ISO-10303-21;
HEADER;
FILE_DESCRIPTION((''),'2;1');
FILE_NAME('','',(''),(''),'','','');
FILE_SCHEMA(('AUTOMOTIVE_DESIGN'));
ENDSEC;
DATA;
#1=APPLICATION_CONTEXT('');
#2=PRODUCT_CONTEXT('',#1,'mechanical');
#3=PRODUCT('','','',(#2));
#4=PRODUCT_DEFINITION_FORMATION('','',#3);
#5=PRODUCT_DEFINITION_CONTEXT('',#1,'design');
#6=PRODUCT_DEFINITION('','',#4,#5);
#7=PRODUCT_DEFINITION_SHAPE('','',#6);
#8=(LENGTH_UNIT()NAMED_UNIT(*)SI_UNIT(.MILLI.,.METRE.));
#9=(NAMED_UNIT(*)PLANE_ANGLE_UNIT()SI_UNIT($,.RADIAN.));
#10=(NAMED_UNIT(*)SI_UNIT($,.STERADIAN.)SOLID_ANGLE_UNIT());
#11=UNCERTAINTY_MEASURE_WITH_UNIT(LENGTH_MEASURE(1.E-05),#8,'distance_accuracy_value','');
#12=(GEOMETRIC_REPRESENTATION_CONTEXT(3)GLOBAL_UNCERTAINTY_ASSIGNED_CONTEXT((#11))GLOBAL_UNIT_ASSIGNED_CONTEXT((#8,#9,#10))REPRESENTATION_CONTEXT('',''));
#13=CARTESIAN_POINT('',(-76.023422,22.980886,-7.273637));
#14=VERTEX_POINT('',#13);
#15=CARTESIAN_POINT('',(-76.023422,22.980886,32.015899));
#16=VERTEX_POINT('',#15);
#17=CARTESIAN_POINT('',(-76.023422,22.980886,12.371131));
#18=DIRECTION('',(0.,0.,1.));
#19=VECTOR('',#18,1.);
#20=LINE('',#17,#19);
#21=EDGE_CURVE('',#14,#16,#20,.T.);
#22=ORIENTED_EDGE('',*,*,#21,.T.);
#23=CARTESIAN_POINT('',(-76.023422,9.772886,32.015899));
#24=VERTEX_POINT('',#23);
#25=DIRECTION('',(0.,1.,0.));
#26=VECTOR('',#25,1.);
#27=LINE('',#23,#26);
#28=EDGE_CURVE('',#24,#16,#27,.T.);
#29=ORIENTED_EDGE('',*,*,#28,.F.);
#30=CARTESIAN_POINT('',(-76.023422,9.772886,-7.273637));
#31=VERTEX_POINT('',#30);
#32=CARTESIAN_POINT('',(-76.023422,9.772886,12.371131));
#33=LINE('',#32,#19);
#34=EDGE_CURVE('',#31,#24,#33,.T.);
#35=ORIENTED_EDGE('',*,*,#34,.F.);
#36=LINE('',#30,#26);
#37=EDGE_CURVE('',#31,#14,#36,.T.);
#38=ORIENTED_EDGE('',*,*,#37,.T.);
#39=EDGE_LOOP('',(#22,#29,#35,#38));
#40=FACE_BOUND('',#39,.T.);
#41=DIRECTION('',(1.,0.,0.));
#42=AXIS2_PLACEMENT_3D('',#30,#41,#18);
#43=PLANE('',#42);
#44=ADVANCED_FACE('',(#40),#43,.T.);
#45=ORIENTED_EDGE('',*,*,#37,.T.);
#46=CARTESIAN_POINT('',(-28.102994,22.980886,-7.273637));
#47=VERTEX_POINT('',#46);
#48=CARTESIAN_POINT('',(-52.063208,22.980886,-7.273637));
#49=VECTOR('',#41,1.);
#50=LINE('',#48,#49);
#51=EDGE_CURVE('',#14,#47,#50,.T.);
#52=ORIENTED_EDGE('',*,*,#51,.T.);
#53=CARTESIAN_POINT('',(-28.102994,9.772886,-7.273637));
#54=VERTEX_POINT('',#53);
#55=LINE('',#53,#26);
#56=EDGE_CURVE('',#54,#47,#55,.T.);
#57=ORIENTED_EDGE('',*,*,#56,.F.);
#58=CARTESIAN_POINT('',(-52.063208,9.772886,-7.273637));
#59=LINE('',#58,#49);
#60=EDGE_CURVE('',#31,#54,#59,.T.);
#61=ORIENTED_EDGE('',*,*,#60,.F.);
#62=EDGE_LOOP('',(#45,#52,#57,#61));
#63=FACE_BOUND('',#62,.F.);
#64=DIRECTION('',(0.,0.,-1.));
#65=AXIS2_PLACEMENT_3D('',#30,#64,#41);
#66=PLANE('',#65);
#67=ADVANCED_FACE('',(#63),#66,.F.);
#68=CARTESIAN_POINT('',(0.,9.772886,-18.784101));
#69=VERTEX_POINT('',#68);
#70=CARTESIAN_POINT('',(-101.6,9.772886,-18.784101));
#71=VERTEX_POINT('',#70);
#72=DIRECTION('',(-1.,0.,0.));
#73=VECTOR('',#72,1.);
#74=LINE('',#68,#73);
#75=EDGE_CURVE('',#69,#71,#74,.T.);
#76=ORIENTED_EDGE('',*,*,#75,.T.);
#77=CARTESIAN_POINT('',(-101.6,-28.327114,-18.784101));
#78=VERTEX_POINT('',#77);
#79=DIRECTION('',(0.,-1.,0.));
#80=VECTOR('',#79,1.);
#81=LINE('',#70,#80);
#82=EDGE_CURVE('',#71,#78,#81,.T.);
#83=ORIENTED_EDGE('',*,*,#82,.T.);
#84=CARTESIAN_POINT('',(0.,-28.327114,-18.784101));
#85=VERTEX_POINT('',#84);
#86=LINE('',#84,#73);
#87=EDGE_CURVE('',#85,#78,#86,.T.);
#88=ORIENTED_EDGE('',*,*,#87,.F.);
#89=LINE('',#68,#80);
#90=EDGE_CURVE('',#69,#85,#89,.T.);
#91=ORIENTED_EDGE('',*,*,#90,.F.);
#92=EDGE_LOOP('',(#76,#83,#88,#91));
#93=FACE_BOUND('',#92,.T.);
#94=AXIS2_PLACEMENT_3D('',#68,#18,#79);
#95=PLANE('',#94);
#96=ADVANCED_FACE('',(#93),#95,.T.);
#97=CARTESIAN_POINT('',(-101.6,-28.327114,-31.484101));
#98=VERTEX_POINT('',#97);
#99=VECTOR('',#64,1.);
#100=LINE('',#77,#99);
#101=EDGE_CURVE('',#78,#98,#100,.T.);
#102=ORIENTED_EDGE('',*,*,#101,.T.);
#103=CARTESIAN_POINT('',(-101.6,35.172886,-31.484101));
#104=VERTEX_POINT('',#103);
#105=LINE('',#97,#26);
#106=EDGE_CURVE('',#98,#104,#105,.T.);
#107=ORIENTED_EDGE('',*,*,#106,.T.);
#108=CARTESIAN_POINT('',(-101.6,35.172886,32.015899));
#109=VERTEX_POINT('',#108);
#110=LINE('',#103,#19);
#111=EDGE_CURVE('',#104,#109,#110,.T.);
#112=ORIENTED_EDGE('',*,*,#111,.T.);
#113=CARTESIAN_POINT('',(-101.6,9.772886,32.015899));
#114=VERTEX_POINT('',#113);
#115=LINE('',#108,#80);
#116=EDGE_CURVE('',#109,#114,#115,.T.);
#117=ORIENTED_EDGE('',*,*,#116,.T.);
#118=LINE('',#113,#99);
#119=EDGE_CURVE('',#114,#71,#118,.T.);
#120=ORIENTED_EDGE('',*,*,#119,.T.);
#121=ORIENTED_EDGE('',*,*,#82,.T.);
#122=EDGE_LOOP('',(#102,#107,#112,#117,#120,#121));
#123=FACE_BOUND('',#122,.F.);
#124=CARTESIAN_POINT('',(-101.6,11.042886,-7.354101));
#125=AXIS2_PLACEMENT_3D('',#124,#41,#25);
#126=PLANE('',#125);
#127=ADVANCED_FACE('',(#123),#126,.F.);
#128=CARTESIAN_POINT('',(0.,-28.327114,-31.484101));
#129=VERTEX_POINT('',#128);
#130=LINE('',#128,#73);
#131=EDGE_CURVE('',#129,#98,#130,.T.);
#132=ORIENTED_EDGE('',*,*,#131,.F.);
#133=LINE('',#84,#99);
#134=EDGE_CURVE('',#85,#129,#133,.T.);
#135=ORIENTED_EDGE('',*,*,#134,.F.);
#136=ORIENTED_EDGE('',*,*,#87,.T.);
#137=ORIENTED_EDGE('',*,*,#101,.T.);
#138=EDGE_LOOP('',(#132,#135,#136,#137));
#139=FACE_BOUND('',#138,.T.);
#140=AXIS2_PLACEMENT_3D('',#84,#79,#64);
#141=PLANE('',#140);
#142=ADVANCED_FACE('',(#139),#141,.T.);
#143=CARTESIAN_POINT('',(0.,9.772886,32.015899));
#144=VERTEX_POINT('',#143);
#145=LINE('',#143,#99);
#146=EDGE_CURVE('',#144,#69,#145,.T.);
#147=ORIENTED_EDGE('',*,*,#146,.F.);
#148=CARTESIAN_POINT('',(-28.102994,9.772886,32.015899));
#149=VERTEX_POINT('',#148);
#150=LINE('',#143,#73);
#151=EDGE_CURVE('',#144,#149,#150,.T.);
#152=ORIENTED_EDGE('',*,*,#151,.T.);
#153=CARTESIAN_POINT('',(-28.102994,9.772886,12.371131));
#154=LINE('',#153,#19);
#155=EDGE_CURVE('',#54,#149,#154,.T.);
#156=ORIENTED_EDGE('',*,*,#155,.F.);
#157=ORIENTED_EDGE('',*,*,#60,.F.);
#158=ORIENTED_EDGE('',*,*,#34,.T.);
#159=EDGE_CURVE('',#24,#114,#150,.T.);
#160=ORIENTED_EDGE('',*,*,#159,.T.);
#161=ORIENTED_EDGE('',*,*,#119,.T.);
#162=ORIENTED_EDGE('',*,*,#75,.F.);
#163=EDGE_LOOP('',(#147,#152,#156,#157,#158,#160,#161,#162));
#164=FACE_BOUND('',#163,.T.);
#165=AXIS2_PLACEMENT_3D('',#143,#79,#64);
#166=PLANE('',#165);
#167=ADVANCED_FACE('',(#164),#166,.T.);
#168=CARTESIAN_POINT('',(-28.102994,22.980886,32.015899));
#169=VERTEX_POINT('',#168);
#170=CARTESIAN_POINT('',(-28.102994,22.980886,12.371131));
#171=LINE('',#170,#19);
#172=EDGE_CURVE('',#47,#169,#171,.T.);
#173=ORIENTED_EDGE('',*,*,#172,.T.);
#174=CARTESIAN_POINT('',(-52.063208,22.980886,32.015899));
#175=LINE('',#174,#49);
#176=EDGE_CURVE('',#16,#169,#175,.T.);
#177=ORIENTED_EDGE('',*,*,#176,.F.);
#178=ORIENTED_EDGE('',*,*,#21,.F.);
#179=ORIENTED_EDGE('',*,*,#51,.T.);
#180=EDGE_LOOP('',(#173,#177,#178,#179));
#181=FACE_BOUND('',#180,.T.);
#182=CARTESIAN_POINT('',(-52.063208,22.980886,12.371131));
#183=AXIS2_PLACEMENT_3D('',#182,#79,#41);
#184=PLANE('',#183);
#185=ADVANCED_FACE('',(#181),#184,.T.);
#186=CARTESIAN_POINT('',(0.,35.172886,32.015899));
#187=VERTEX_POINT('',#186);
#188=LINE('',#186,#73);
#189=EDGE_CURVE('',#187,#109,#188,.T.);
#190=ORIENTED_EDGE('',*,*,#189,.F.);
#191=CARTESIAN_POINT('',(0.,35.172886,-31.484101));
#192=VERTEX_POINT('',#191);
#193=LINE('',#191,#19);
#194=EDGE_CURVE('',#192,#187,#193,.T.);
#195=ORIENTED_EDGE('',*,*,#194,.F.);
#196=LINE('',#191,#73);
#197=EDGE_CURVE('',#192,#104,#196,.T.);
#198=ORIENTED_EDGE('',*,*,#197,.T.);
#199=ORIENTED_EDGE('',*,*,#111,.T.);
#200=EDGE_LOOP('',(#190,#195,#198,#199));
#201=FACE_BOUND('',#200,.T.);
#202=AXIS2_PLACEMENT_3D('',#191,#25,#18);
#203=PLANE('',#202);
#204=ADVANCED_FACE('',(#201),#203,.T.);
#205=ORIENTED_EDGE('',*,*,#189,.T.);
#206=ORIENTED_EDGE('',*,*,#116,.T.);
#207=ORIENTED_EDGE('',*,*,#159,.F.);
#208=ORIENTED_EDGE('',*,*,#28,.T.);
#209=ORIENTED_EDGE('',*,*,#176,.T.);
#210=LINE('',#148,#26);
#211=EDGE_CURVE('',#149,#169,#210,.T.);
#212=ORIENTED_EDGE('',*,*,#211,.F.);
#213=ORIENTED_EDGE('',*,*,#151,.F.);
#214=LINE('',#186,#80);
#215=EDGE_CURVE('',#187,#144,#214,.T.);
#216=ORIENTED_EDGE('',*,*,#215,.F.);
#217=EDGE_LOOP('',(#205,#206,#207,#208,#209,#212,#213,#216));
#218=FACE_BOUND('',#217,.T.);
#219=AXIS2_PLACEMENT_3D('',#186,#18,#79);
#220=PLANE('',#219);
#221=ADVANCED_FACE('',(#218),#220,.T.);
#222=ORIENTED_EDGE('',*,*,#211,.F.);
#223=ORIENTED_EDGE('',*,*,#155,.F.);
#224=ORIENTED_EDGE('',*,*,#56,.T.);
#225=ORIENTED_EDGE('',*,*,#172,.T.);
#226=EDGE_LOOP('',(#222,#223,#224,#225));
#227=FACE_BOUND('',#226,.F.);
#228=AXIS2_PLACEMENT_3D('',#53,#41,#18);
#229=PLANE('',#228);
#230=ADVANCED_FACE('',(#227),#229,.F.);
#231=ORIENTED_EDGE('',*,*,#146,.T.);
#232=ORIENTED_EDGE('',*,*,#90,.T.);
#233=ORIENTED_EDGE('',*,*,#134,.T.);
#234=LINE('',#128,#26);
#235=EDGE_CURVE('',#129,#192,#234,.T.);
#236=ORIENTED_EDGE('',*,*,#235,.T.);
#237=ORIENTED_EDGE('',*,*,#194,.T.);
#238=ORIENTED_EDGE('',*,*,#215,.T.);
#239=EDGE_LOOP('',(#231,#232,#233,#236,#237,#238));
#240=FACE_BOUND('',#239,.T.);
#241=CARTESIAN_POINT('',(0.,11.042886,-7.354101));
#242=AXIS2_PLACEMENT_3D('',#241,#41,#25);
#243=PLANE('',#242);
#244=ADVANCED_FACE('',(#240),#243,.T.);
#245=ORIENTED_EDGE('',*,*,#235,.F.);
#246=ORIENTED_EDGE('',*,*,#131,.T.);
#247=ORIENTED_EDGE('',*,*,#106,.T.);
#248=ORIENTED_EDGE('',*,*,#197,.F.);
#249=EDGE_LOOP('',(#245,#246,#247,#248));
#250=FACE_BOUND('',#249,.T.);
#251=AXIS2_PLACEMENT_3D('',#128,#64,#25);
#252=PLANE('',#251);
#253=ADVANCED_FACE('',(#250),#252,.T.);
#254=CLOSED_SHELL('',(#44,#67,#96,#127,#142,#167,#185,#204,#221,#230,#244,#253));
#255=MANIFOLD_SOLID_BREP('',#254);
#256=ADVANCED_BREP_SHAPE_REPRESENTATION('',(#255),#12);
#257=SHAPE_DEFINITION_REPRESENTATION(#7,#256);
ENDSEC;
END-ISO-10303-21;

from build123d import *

# Parameters (mm, degrees)
F1_DEPTH = 101.6
F2_W     = 47.920428
F2_H     = 39.289536
F3_DEPTH = 13.208


with BuildPart() as f1:
    # F0 (on Right) → F1 (new body)
    with BuildSketch(Plane.YZ):
        Polygon((9.772886, -18.784101), (-28.327114, -18.784101), (-28.327114, -31.484101), (35.172886, -31.484101), (35.172886, 32.015899), (9.772886, 32.015899), align=None)
    extrude(amount=-F1_DEPTH)

    # F2 (on face) → F3 (cut)
    with BuildSketch(Plane.XZ.offset(-9.772886)):
        with Locations((-52.063208, 12.371131)):
            Rectangle(F2_W, F2_H)
    extrude(amount=-F3_DEPTH, mode=Mode.SUBTRACT)


solid = f1.part
